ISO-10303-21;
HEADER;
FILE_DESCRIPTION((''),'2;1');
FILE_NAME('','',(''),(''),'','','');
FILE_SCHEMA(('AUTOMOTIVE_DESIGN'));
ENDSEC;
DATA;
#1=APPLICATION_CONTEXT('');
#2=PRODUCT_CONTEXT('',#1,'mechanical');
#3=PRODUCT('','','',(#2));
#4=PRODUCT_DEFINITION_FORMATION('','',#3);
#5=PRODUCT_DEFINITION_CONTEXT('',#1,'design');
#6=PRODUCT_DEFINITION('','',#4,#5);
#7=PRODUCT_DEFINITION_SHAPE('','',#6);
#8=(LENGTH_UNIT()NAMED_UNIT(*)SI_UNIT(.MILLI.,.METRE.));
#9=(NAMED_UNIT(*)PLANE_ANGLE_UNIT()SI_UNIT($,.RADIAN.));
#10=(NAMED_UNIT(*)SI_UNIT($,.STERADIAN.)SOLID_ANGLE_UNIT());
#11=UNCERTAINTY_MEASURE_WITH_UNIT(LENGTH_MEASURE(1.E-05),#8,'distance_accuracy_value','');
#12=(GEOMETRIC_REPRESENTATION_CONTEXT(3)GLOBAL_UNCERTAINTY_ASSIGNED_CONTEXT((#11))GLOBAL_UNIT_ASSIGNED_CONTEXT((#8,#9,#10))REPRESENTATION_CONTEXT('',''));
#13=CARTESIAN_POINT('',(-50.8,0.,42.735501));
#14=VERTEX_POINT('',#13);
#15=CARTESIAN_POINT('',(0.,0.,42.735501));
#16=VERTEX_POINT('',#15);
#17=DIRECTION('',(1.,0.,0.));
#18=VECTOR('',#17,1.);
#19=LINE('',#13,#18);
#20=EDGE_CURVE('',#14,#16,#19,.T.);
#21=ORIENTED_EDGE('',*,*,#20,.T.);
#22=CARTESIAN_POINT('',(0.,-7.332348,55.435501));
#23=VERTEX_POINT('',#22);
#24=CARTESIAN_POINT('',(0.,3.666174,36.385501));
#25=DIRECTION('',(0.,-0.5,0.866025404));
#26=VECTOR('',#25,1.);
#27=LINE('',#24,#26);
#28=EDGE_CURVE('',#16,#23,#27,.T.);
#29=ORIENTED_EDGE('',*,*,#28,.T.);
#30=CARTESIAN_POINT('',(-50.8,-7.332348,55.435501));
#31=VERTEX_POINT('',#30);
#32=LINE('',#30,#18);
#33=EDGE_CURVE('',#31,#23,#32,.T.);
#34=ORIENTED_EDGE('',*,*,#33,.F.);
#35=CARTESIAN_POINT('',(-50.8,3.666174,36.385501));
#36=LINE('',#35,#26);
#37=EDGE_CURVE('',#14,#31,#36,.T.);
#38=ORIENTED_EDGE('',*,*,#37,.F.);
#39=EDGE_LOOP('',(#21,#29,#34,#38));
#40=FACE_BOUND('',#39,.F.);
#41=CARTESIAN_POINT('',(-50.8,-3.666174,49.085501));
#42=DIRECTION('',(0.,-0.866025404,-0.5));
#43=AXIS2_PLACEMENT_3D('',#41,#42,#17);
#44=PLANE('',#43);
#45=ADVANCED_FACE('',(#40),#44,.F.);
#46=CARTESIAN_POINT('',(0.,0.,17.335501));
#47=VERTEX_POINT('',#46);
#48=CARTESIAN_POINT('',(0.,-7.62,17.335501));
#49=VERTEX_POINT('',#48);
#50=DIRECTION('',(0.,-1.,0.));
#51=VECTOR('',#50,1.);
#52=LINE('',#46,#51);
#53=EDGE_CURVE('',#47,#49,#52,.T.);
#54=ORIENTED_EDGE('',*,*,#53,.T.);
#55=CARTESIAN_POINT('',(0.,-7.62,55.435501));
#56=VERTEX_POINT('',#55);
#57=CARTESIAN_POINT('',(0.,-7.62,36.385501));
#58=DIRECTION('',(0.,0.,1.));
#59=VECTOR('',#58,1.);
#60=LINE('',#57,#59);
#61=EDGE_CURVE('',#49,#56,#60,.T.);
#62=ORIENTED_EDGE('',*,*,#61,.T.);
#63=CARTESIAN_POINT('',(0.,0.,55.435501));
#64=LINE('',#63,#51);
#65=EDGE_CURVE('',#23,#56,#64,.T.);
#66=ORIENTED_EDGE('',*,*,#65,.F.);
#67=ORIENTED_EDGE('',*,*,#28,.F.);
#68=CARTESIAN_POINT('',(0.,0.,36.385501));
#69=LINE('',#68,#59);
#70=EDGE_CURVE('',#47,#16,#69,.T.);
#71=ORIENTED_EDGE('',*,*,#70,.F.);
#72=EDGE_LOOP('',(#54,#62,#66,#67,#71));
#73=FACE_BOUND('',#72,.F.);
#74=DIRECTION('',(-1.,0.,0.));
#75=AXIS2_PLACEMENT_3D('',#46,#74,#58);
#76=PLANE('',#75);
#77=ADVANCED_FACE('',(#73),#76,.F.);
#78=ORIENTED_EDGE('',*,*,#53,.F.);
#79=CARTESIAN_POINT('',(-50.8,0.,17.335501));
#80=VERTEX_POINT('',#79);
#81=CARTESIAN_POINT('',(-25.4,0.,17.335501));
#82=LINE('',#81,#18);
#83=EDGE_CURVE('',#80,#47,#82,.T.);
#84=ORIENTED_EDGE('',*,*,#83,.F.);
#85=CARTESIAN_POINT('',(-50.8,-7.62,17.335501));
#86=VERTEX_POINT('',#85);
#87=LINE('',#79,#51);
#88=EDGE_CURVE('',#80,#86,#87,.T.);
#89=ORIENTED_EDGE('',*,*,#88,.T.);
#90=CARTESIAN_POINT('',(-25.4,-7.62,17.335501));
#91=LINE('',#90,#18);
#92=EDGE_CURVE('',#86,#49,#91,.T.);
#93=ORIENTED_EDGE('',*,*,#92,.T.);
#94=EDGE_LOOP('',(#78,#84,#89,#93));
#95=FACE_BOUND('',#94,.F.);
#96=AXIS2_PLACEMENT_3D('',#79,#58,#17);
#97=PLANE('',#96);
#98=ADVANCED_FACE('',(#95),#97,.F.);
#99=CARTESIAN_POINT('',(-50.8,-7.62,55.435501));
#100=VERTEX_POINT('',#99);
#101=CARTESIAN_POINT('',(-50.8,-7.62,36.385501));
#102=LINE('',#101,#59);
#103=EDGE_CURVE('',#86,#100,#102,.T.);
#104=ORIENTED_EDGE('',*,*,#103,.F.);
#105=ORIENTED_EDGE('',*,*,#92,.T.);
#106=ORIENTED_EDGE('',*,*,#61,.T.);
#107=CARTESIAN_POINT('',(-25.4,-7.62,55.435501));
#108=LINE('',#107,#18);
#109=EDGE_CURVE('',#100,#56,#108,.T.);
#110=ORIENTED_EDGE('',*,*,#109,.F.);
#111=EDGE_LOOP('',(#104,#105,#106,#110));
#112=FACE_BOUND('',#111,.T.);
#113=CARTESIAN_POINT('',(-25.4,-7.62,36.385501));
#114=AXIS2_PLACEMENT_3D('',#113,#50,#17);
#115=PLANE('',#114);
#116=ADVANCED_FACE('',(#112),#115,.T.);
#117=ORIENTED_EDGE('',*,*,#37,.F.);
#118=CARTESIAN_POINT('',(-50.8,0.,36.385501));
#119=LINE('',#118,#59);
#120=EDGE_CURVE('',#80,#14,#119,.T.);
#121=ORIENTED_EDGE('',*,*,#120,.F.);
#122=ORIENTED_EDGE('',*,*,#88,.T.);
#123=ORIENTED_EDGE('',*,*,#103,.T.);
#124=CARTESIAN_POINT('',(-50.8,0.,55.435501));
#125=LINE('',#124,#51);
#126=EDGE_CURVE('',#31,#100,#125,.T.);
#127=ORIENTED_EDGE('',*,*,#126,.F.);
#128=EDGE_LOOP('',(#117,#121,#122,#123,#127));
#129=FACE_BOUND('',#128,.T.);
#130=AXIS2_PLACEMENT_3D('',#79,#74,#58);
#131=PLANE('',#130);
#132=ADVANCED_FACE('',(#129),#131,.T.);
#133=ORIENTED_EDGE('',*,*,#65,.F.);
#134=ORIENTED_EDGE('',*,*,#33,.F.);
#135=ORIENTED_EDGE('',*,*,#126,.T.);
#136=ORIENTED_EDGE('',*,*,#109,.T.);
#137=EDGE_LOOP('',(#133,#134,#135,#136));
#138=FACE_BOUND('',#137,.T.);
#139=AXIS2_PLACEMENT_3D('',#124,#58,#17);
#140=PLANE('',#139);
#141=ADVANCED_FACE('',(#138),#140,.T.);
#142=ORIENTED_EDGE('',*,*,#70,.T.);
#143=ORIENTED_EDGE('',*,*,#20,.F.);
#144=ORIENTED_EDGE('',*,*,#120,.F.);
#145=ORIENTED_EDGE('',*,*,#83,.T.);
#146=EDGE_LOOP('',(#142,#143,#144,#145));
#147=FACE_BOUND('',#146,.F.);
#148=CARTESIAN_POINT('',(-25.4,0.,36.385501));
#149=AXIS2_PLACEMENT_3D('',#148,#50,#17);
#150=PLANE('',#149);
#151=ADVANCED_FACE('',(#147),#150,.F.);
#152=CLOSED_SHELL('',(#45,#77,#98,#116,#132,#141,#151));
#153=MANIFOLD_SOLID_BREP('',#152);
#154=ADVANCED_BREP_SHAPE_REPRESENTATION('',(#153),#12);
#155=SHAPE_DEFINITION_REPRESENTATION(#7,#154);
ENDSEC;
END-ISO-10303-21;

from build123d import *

# Parameters (mm, degrees)
F0_W     = 50.8
F0_H     = 38.1
F1_DEPTH = 7.62
F2_SIZE2 = 7.3323484187
F2_SIZE  = 12.7


with BuildPart() as f1:
    # F0 (on Front) → F1 (new body)
    with BuildSketch(Plane.XZ):
        with Locations((-25.4, 36.3855005682)):
            Rectangle(F0_W, F0_H)
    extrude(amount=F1_DEPTH)

    # F2
    f2_edges = [f1.edges().sort_by_distance(p)[0] for p in [
        (-25.4, 0, 55.435501),
    ]]
    f2_side = f1.faces().sort_by_distance((-25.4, 0, 36.385501))[0]
    chamfer(f2_edges, length=F2_SIZE, length2=F2_SIZE2, reference=f2_side)


solid = f1.part
